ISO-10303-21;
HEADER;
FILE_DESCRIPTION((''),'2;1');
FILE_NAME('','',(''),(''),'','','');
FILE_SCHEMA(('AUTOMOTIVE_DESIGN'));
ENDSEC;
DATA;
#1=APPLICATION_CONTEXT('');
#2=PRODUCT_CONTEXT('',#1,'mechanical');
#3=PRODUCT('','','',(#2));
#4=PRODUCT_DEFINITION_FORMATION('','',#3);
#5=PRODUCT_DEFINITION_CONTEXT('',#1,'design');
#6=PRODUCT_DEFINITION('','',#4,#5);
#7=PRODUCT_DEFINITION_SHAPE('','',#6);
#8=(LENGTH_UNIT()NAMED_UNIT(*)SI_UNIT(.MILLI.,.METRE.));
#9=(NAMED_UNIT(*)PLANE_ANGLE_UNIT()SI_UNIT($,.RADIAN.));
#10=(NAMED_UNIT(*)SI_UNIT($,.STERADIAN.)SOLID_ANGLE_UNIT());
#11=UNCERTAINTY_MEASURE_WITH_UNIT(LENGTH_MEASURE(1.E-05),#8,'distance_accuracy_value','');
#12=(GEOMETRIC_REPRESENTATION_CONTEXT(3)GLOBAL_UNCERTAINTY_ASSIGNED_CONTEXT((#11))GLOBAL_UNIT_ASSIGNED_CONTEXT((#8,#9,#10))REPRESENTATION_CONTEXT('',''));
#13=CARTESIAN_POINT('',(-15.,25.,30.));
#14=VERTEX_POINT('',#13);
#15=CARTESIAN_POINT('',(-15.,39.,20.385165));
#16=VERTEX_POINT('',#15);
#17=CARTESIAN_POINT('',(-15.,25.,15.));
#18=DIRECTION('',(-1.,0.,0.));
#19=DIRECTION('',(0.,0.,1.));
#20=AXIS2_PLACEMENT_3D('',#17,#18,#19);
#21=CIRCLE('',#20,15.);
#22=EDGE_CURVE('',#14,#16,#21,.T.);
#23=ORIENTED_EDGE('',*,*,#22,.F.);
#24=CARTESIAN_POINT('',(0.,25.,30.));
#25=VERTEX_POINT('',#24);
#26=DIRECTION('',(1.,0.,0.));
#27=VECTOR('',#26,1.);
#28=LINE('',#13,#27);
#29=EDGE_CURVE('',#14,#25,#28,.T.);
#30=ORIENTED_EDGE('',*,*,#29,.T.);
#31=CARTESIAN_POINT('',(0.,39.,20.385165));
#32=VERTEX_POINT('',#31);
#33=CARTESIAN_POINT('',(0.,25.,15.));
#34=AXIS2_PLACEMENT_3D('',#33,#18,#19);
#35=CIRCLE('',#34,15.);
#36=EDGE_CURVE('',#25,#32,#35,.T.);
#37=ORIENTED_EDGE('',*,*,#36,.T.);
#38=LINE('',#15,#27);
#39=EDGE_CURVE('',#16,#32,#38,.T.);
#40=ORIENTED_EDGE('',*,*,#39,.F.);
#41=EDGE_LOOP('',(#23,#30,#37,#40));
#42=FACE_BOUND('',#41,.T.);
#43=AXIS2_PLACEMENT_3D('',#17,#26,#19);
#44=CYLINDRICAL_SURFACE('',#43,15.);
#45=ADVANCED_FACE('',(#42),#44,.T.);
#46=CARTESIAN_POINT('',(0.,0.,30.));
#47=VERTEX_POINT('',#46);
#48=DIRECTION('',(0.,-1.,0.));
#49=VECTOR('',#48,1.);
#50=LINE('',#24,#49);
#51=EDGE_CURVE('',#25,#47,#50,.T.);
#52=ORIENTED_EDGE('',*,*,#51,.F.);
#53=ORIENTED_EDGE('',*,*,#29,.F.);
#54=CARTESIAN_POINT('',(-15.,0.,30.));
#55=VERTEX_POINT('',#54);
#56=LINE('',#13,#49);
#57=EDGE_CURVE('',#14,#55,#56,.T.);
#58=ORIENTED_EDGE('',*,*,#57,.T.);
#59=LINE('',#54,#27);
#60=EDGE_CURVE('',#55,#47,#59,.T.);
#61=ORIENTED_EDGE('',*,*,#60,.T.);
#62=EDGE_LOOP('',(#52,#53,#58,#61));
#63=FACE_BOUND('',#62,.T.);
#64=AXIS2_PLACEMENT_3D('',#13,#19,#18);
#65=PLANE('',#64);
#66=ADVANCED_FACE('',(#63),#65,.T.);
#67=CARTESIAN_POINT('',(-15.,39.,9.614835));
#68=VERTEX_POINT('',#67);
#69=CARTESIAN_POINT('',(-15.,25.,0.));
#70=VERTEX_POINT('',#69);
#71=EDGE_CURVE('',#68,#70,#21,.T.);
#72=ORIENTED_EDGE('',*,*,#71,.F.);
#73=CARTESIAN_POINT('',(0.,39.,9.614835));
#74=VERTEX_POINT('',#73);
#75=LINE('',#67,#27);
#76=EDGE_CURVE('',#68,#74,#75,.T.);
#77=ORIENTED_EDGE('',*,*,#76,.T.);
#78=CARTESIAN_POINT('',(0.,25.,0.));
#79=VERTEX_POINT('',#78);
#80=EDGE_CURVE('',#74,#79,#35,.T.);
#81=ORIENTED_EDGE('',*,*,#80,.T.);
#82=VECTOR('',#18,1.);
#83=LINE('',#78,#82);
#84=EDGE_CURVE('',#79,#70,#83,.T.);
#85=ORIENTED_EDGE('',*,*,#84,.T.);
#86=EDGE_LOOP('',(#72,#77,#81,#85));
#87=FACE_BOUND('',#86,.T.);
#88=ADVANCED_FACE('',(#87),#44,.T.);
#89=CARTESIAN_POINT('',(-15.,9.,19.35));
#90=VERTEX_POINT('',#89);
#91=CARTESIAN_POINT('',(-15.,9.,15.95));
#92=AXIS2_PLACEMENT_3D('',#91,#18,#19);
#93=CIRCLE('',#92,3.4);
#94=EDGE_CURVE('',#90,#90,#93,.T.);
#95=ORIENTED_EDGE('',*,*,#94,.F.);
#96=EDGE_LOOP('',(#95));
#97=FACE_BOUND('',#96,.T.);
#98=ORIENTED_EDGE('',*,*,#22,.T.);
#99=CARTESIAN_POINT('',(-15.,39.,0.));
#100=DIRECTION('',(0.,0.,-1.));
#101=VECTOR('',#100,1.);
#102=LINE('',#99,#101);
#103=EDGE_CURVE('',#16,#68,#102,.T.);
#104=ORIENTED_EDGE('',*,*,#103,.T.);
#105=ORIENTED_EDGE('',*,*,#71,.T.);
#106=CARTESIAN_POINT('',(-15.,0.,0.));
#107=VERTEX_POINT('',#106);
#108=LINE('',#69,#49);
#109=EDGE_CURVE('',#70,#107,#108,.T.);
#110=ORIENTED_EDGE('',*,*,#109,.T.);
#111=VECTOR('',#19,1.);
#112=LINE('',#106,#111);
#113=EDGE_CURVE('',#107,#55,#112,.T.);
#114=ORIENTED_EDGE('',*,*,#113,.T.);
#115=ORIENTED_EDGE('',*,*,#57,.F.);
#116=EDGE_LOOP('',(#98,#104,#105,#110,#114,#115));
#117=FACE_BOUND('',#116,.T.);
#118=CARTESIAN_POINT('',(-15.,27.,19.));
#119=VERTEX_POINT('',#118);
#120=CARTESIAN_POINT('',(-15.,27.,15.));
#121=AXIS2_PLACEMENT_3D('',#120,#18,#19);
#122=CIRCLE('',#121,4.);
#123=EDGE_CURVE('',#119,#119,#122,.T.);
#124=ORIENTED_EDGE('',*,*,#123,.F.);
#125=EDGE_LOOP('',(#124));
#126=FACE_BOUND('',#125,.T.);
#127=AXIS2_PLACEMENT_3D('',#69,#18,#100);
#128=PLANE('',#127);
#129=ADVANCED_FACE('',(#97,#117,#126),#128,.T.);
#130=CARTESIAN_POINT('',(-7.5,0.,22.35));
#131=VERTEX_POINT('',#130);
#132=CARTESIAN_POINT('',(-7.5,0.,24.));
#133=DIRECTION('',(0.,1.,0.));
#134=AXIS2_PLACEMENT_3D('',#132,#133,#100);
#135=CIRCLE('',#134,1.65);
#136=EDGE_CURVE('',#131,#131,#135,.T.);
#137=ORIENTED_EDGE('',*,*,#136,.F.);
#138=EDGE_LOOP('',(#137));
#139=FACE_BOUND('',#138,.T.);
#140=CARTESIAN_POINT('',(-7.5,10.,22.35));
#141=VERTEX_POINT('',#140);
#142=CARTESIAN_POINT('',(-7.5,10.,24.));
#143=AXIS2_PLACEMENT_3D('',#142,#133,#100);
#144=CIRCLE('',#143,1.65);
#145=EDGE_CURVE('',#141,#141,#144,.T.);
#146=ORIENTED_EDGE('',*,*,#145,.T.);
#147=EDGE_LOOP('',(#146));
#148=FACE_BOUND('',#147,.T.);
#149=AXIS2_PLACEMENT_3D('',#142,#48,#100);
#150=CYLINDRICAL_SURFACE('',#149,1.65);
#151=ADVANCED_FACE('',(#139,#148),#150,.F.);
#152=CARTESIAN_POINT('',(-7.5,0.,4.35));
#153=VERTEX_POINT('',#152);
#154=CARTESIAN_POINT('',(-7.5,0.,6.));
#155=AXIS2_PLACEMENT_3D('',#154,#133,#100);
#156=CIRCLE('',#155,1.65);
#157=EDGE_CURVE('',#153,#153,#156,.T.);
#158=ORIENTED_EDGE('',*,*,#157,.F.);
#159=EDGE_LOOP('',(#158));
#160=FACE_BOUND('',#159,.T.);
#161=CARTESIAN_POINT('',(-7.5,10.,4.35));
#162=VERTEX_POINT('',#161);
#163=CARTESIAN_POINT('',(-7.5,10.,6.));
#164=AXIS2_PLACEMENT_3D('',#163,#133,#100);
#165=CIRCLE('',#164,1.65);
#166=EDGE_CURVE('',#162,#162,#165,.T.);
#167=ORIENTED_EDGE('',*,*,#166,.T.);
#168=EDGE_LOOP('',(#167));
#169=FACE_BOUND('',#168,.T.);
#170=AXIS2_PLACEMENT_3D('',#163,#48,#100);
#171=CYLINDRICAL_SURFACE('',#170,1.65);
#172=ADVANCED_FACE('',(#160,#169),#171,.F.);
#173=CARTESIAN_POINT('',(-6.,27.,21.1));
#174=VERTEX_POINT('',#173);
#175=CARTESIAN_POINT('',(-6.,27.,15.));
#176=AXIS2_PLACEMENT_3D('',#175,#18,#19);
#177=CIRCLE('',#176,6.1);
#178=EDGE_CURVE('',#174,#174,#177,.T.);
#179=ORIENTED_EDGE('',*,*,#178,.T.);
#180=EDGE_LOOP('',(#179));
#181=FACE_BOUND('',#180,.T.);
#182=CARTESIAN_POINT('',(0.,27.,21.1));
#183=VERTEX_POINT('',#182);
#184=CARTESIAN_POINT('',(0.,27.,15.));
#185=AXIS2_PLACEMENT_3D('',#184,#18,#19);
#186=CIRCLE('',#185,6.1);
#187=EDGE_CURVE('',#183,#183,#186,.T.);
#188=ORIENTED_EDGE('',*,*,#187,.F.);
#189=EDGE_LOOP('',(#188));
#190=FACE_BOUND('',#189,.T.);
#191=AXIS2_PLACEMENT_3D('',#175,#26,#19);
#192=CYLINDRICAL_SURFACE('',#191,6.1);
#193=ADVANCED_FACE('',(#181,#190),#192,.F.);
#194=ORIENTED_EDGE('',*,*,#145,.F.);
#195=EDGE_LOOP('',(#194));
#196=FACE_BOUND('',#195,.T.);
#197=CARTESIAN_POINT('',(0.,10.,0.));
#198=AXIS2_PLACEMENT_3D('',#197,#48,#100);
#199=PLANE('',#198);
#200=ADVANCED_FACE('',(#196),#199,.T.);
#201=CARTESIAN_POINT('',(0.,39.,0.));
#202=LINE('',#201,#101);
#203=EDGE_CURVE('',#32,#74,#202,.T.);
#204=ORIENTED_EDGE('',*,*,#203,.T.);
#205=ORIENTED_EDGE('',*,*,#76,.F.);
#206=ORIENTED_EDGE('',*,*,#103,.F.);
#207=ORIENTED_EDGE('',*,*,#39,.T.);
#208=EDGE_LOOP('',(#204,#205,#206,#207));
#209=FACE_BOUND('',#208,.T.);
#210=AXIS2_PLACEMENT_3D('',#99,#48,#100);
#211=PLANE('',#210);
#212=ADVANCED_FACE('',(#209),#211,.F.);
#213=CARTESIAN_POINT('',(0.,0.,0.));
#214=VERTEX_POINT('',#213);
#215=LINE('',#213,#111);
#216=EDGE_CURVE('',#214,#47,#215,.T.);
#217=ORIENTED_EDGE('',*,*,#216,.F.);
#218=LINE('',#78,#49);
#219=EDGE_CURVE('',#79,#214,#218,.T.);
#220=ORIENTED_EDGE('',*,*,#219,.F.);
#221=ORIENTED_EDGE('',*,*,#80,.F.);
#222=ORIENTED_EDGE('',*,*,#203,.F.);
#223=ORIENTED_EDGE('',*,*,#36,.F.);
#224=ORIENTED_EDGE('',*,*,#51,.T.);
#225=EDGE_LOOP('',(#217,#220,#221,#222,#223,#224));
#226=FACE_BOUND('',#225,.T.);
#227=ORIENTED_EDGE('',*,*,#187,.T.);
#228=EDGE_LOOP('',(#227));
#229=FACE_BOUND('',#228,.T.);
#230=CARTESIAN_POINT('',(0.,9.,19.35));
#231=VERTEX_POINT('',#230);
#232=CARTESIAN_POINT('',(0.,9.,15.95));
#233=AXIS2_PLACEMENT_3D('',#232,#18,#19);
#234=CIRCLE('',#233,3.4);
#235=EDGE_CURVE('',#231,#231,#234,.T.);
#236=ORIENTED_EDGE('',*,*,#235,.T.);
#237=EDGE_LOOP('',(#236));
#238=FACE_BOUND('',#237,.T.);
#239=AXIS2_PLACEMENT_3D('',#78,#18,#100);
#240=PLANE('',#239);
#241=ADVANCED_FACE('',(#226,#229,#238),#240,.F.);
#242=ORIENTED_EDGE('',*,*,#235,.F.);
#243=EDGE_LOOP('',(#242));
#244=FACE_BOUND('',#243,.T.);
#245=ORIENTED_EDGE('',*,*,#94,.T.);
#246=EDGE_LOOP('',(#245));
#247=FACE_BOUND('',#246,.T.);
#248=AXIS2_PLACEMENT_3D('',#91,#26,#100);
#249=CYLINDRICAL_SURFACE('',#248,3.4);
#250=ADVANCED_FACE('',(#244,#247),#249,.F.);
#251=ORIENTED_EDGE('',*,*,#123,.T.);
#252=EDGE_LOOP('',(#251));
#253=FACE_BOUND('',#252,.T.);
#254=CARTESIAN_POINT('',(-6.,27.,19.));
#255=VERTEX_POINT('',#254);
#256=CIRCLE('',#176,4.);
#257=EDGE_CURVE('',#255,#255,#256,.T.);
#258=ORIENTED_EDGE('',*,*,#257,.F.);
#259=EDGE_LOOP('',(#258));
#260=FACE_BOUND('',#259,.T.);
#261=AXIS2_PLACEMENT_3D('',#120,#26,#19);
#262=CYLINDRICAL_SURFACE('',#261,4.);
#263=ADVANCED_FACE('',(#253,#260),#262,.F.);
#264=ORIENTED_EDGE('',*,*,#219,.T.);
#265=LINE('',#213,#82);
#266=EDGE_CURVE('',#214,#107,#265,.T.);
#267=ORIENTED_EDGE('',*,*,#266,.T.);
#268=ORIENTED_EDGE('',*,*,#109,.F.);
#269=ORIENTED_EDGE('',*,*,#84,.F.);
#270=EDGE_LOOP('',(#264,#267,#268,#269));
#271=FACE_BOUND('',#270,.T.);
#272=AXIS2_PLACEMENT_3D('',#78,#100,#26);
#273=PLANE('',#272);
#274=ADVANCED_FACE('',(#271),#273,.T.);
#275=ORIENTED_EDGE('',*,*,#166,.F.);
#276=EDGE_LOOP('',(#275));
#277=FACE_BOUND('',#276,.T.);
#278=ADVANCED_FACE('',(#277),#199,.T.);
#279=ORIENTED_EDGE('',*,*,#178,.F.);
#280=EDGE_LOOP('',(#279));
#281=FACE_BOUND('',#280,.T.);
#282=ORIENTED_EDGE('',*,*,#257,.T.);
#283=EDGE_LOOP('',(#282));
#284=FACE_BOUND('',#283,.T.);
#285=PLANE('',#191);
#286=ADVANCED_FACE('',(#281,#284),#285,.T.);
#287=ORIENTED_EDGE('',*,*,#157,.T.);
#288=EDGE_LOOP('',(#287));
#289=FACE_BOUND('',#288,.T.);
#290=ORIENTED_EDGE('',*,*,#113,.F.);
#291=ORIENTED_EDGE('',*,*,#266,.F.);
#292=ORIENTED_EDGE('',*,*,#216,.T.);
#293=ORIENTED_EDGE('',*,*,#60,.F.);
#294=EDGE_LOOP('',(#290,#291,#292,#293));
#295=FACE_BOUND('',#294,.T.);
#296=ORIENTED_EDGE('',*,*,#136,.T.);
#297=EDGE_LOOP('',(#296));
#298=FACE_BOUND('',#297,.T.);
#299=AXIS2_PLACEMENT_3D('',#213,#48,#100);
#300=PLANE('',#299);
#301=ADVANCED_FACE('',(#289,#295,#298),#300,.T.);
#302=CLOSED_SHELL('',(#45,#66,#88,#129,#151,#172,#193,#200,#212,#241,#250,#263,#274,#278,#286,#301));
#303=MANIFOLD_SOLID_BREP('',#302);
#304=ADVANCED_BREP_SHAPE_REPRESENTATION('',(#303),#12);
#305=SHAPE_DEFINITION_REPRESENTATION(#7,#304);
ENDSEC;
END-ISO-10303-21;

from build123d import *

# Parameters (mm, degrees)
SKETCH_1_W               = 15
SKETCH_1_H               = 30
EXTRUDE_1_DEPTH          = 25
SKETCH_3_R               = 15
EXTRUDE_3_DEPTH          = 15
CUT_EXTRUDE_2_DEPTH      = 10
SKETCH_9_R               = 6.1
CUT_EXTRUDE_3_DEPTH      = 6
SKETCH_10_R              = 4
CUT_EXTRUDE_4_DEPTH      = 51.803543184
CUT_EXTRUDE_6_DEPTH      = 53.201532545
CUT_EXTRUDE_6_DEPTH_BACK = 53.201532545
SKETCH_5_R               = 3.4
CUT_EXTRUDE_8_DEPTH      = 52.439284598


with BuildPart() as part:
    # 草图1 → 凸台-拉伸1 (new body)
    with BuildSketch(Plane(origin=(0, 0, 0), x_dir=(1, 0, 0), z_dir=(0, 1, 0))):
        with Locations((7.5, -15)):
            Rectangle(SKETCH_1_W, SKETCH_1_H)
    extrude(amount=EXTRUDE_1_DEPTH)

    # 草图3 → 凸台-拉伸3 (add)
    with BuildSketch(Plane.ZY):
        with Locations((15, 25)):
            Circle(SKETCH_3_R)
    extrude(amount=-EXTRUDE_3_DEPTH)

    # 草图4 → 切除-拉伸2 (cut)
    with BuildSketch(Plane.XZ):
        with BuildLine():
            ThreePointArc((9.15, 24), (8.666726189, 25.166726189), (7.5, 25.65))
            Line((7.5, 25.65), (7.5, 22.35))
            ThreePointArc((7.5, 22.35), (8.666726189, 22.833273811), (9.15, 24))
        make_face()
        with BuildLine():
            Line((7.5, 22.35), (7.5, 25.65))
            ThreePointArc((7.5, 25.65), (5.85, 24), (7.5, 22.35))
        make_face()
        with BuildLine():
            ThreePointArc((9.15, 6), (8.666726189, 7.166726189), (7.5, 7.65))
            Line((7.5, 7.65), (7.5, 4.35))
            ThreePointArc((7.5, 4.35), (8.666726189, 4.833273811), (9.15, 6))
        make_face()
        with BuildLine():
            Line((7.5, 4.35), (7.5, 7.65))
            ThreePointArc((7.5, 7.65), (5.85, 6), (7.5, 4.35))
        make_face()
    extrude(amount=-CUT_EXTRUDE_2_DEPTH, mode=Mode.SUBTRACT)

    # 草图9 → 切除-拉伸3 (cut)
    with BuildSketch(Plane.ZY):
        with Locations((15, 27)):
            Circle(SKETCH_9_R)
    extrude(amount=-CUT_EXTRUDE_3_DEPTH, mode=Mode.SUBTRACT)

    # 草图10 → 切除-拉伸4 (cut, through all)
    with BuildSketch(Plane.ZY.offset(-6)):
        with Locations((15, 27)):
            Circle(SKETCH_10_R)
    extrude(amount=-CUT_EXTRUDE_4_DEPTH, mode=Mode.SUBTRACT)


with BuildPart() as body_2:
    # 镜向1: mirrored copy
    add(part.part.mirror(Plane(origin=(0, 0, 0), x_dir=(0, 0, 1), z_dir=(1, 0, 0))))

    # 草图12 → 切除-拉伸6 (cut, two sides: drawn at the far end of the back side and taken through both)
    with BuildSketch(Plane(origin=(0, 0, 0), x_dir=(0, 0, -1), z_dir=(1, 0, 0)).offset(-CUT_EXTRUDE_6_DEPTH_BACK)):
        with BuildLine():
            ThreePointArc((-9.614835193, 39), (-15, 40), (-20.385164807, 39))
            Line((-20.385164807, 39), (-9.614835193, 39))
        make_face()
    extrude(amount=CUT_EXTRUDE_6_DEPTH + CUT_EXTRUDE_6_DEPTH_BACK, mode=Mode.SUBTRACT)

    # 草图5 → 切除-拉伸8 (cut, through all)
    with BuildSketch(Plane.ZY):
        with Locations((15.95, 9)):
            Circle(SKETCH_5_R)
    extrude(amount=CUT_EXTRUDE_8_DEPTH, mode=Mode.SUBTRACT)


solid = body_2.part
